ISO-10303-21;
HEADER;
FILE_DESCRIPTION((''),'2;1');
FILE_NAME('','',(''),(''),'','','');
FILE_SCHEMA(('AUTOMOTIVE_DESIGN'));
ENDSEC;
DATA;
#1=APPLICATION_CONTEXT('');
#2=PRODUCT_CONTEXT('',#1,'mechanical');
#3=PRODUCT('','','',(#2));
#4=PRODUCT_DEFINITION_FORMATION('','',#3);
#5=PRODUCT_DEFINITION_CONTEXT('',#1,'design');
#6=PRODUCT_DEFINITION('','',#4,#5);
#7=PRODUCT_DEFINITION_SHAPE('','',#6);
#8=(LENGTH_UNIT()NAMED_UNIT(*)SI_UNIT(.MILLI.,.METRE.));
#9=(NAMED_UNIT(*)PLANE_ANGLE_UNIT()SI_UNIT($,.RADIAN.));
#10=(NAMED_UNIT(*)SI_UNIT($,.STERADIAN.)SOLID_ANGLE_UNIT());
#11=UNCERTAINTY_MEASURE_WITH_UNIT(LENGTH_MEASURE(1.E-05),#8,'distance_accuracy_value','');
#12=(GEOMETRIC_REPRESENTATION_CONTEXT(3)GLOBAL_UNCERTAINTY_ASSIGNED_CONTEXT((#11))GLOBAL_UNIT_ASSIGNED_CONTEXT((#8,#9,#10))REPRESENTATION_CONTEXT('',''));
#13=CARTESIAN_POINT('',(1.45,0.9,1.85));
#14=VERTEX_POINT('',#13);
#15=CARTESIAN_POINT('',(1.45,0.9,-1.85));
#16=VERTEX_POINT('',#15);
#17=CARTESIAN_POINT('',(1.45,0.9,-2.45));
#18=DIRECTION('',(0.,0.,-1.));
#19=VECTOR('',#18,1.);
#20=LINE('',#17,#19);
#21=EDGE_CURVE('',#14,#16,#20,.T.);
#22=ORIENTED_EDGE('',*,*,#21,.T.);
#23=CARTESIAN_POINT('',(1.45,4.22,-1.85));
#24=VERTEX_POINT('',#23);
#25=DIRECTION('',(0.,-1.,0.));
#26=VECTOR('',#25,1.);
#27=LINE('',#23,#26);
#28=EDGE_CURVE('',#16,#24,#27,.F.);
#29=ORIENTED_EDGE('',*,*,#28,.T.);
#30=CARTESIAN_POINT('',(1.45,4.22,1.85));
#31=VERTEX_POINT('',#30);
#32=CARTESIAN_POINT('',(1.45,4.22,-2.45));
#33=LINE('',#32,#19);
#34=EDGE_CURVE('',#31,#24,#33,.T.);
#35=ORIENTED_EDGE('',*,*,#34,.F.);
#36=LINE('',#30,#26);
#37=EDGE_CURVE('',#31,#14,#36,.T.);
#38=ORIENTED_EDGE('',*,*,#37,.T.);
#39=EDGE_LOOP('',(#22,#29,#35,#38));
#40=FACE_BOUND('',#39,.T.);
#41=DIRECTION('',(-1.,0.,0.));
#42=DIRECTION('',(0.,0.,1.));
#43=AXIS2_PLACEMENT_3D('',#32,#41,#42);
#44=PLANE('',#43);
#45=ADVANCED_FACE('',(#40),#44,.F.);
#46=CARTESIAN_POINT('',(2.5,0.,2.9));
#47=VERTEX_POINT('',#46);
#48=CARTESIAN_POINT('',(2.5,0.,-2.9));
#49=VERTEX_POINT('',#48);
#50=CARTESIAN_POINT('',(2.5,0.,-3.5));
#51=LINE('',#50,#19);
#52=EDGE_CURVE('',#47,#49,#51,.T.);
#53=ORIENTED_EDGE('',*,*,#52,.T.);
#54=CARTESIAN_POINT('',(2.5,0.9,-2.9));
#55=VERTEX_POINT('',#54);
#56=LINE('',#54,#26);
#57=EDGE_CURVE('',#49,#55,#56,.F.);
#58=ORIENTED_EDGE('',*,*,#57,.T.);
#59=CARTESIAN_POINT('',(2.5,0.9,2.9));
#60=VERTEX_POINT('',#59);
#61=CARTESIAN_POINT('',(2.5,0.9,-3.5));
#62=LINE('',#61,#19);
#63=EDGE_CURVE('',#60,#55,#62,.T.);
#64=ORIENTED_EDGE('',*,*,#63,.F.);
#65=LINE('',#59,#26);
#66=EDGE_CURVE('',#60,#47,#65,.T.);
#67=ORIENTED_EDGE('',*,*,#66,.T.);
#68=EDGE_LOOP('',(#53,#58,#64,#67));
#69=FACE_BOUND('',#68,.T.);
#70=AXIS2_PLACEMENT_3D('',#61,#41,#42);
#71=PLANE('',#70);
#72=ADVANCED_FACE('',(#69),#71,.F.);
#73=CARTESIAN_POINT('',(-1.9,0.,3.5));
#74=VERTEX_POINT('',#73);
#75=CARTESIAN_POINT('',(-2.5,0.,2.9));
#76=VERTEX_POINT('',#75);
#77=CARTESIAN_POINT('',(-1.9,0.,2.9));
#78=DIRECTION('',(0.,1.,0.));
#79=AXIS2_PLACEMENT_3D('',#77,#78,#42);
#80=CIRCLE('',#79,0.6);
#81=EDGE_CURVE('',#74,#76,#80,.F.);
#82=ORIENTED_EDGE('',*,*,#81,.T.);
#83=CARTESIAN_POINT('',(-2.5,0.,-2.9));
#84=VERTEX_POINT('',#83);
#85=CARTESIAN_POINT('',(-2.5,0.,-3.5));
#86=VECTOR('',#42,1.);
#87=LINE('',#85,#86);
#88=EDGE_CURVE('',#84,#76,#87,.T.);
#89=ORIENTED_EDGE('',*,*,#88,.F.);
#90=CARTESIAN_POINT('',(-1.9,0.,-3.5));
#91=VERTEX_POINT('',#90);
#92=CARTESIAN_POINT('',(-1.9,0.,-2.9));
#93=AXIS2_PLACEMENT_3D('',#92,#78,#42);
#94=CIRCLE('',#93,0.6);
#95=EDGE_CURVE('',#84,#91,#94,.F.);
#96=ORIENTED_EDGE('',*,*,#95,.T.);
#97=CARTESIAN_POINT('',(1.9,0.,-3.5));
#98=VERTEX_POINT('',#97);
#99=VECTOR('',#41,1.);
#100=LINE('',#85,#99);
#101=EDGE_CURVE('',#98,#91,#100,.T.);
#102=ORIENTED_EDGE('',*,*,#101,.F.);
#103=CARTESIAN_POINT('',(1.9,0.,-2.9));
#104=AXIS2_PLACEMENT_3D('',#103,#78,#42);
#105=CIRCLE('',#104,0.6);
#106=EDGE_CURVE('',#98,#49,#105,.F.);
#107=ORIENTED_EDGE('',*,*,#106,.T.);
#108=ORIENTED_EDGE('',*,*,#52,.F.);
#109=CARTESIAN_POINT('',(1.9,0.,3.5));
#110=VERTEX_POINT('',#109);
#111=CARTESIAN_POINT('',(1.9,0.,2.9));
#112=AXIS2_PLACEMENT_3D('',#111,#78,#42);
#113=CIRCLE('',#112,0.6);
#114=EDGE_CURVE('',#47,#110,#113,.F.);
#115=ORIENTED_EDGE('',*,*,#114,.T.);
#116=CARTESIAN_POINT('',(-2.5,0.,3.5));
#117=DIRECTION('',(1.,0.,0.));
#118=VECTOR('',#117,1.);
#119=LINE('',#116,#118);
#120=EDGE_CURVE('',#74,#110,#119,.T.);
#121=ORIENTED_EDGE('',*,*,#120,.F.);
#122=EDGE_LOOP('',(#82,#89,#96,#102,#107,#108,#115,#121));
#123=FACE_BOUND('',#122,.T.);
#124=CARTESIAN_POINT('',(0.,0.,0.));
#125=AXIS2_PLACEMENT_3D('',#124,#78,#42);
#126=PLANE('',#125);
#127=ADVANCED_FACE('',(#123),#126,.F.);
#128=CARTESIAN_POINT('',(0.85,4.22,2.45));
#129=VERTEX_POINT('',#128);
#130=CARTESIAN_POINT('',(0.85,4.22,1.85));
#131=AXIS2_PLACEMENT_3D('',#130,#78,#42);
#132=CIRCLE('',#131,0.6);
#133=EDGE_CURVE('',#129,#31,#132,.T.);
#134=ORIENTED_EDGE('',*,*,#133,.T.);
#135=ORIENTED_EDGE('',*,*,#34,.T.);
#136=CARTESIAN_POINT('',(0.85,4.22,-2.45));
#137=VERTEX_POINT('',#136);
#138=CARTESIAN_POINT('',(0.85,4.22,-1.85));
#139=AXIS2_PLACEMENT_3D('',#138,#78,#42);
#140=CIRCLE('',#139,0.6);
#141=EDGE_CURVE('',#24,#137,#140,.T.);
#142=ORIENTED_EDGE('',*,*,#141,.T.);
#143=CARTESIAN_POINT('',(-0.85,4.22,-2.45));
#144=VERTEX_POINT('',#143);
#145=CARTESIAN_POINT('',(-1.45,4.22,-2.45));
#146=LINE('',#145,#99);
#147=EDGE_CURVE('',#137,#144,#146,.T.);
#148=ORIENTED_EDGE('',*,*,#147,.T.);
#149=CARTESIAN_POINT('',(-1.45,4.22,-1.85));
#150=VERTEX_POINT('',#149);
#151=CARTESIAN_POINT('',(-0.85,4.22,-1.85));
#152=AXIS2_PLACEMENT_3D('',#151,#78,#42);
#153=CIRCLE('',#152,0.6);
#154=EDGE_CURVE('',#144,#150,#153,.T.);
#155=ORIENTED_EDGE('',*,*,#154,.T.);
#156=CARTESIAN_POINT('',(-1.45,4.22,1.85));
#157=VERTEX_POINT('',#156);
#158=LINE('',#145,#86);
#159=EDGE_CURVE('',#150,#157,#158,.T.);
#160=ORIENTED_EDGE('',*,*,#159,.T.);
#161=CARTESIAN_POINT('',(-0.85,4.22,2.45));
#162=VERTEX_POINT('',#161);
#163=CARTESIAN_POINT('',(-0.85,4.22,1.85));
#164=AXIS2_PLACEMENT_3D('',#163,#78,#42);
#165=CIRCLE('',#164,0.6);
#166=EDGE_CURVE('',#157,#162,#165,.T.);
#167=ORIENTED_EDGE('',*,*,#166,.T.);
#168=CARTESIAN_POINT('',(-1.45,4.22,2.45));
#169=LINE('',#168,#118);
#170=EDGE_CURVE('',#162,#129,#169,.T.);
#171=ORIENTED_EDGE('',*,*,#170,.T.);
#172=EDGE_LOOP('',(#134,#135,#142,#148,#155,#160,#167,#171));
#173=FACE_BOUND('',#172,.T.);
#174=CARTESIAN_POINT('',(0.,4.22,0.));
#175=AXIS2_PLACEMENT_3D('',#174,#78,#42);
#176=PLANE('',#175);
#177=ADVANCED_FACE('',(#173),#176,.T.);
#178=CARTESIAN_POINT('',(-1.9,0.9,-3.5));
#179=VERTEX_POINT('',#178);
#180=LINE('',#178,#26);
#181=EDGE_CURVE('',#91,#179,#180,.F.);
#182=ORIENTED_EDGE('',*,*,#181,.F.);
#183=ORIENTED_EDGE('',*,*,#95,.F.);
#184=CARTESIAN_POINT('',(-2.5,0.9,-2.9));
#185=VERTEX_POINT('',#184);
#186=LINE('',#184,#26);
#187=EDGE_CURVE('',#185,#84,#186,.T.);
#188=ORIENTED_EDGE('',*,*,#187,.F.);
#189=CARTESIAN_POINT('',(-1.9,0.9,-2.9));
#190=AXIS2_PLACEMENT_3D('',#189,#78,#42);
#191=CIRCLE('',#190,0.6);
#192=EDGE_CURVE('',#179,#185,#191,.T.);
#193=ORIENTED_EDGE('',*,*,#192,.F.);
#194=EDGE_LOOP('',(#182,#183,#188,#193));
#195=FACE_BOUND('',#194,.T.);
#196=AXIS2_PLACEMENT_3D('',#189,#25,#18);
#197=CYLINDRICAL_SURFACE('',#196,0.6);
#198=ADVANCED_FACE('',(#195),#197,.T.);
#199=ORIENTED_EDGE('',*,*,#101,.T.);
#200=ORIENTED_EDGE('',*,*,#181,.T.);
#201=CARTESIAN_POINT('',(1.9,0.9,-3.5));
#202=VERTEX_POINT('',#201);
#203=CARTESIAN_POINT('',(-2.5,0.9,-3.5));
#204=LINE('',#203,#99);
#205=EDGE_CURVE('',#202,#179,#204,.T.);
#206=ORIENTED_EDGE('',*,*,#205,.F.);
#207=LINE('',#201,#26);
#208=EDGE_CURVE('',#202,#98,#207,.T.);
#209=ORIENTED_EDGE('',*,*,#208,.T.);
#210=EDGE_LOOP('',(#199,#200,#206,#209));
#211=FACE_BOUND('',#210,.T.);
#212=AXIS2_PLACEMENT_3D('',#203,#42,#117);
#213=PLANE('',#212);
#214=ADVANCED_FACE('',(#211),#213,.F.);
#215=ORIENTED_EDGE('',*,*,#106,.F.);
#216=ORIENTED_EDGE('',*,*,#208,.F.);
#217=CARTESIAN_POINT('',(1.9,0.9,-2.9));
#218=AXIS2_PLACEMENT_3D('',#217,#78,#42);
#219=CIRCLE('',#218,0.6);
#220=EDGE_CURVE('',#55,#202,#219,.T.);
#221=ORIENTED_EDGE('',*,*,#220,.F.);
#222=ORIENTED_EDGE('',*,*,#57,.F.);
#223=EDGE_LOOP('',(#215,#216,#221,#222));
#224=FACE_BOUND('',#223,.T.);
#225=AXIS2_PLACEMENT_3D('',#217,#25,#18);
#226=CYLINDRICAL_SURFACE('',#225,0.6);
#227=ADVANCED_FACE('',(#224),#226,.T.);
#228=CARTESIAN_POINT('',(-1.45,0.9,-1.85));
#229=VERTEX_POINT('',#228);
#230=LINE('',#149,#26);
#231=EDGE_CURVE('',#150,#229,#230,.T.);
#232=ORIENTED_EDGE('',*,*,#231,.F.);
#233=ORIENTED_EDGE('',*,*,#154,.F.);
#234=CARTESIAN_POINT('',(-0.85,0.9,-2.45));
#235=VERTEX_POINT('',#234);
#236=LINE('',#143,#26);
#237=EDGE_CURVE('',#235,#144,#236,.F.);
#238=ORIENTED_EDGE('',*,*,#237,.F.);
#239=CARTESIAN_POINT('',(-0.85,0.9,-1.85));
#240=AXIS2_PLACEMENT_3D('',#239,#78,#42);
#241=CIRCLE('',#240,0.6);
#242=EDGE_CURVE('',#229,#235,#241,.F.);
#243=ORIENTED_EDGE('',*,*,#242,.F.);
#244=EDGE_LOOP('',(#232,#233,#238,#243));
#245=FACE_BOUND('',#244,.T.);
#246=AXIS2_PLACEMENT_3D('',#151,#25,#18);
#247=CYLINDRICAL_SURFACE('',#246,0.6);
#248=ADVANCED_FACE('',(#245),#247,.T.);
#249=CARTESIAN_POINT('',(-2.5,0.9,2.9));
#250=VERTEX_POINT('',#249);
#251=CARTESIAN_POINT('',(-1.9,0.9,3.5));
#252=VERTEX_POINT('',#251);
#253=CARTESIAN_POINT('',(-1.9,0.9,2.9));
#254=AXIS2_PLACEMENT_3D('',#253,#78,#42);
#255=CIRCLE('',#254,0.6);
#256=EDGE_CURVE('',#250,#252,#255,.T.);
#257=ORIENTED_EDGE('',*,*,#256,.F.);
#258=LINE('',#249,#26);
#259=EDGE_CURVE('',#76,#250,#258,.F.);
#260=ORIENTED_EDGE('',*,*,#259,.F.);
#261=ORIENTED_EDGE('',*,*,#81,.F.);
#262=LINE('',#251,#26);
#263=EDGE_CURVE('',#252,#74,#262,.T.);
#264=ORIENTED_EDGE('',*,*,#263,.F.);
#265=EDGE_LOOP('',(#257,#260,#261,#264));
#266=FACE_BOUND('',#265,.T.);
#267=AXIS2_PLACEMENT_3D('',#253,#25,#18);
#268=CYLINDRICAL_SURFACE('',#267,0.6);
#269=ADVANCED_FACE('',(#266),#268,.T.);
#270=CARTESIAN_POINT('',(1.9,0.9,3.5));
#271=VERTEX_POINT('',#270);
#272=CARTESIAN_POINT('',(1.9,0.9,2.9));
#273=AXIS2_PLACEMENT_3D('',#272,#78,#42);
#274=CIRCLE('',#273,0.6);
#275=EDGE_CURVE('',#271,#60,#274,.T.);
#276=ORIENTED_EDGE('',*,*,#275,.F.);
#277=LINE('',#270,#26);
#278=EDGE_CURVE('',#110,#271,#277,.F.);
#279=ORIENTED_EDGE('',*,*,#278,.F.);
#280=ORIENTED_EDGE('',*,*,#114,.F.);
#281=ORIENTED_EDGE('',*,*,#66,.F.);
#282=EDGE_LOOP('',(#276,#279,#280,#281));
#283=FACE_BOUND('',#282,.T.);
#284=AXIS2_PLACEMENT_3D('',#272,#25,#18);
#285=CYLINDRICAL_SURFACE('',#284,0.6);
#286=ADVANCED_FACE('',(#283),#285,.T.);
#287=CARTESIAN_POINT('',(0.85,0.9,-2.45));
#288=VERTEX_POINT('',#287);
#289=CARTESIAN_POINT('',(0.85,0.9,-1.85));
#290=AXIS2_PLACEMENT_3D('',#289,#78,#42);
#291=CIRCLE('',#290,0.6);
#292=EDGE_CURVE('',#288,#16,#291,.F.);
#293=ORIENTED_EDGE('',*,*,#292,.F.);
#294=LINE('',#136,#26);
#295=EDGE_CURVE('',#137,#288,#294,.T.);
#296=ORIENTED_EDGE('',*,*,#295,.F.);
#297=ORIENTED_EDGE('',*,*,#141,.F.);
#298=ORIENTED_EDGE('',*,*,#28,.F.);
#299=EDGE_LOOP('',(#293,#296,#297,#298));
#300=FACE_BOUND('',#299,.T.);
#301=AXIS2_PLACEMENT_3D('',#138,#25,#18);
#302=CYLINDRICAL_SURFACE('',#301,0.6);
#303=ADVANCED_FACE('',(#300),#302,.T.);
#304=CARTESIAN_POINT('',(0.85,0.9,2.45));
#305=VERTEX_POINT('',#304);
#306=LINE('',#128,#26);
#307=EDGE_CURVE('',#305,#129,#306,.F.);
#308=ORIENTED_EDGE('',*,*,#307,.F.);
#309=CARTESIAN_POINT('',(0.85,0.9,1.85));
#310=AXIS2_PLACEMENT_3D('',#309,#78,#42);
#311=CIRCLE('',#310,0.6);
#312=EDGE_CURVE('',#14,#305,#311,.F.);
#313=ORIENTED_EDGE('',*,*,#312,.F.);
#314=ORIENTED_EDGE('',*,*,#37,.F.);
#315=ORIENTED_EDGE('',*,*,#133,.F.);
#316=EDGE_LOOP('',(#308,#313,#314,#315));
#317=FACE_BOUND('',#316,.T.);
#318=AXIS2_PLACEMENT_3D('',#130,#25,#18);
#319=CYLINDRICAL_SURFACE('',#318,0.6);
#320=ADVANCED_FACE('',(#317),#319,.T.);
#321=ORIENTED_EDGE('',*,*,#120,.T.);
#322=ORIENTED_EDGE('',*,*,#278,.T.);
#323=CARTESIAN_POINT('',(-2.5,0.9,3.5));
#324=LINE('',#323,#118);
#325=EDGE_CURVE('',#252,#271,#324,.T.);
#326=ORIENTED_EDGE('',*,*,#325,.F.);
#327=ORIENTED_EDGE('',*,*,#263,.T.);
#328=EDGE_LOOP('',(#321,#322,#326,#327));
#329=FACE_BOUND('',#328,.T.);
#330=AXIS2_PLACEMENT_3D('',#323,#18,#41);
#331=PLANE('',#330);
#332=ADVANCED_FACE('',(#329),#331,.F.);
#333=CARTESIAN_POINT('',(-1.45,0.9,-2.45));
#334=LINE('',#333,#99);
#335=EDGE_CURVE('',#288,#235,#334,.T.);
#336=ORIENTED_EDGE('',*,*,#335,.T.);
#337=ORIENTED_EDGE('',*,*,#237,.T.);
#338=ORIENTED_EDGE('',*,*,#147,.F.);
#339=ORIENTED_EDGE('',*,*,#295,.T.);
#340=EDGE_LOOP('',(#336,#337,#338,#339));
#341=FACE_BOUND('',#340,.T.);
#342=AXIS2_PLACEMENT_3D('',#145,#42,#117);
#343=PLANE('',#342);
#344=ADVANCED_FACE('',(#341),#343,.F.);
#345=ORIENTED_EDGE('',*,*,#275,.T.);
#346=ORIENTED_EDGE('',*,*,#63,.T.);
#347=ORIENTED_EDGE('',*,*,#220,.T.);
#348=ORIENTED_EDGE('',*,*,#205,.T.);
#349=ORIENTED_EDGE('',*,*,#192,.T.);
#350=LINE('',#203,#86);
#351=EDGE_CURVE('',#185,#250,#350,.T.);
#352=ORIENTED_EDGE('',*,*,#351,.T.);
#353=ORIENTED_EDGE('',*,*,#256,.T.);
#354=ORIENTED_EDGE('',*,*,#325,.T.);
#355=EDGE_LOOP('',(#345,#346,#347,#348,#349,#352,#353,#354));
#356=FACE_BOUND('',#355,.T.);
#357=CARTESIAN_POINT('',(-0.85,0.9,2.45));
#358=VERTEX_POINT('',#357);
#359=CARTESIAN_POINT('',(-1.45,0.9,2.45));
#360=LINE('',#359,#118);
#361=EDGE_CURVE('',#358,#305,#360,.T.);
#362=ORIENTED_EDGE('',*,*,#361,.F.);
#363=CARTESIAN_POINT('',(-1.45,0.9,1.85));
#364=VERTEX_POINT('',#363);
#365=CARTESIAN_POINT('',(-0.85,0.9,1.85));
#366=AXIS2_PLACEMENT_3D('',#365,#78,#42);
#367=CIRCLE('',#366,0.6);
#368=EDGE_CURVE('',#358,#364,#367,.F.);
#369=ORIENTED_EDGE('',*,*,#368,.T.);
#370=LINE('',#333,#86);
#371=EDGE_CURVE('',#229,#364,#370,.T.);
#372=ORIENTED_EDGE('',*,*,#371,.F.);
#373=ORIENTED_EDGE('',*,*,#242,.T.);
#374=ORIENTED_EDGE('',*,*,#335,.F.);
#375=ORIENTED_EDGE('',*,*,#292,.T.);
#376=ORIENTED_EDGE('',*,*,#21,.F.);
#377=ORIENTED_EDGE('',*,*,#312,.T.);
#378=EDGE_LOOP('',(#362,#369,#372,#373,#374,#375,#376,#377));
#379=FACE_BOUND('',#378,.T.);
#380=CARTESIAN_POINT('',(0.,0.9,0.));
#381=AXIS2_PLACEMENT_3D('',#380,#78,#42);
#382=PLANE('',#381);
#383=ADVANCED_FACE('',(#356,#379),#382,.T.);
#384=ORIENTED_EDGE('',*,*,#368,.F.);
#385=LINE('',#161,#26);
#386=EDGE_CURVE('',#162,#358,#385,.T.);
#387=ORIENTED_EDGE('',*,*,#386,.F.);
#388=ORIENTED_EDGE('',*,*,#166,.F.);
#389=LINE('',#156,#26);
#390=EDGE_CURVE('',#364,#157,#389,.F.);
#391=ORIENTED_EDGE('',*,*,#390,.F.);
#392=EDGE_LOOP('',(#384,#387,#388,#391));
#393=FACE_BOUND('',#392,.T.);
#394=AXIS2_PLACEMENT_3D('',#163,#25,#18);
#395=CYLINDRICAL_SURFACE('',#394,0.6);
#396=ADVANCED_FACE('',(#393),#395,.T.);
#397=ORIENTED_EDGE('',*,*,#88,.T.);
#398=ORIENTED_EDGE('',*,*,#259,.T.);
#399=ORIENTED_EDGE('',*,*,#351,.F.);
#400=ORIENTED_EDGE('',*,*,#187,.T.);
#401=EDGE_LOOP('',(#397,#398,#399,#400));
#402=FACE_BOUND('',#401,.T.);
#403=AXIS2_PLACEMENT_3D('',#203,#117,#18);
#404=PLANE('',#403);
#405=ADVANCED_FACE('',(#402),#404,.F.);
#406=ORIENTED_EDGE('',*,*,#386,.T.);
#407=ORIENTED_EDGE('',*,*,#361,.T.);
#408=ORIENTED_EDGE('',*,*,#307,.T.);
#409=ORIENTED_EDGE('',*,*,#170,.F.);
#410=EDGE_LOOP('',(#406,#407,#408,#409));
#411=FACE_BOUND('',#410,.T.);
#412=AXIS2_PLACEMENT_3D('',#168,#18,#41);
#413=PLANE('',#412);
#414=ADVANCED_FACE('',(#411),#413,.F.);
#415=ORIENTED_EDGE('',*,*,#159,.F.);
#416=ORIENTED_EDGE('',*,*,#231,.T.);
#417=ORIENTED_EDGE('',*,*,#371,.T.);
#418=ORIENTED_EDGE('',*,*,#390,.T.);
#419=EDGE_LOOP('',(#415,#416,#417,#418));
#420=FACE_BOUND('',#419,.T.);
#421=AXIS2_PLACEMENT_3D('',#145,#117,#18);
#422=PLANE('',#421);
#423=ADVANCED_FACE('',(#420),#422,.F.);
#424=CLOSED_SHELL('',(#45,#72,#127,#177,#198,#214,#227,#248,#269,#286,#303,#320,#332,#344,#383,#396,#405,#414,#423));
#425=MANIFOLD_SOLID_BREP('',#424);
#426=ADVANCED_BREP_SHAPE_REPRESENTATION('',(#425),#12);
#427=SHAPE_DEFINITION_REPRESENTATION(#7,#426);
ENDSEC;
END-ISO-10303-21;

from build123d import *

# Parameters (mm, degrees)
SKETCH_1_W      = 5
SKETCH_1_H      = 7
EXTRUDE_1_DEPTH = 0.9
SKETCH_2_W      = 2.9
SKETCH_2_H      = 4.9
EXTRUDE_2_DEPTH = 3.32
FILLET_1_R      = 0.6


with BuildPart() as part:
    # 草图1 → 凸台-拉伸1 (new body)
    with BuildSketch(Plane(origin=(0, 0, 0), x_dir=(1, 0, 0), z_dir=(0, 1, 0))):
        Rectangle(SKETCH_1_W, SKETCH_1_H)
    extrude(amount=EXTRUDE_1_DEPTH)

    # 草图2 → 凸台-拉伸2 (add)
    with BuildSketch(Plane(origin=(0, 0.9, 0), x_dir=(1, 0, 0), z_dir=(0, 1, 0))):
        Rectangle(SKETCH_2_W, SKETCH_2_H)
    extrude(amount=EXTRUDE_2_DEPTH)

    # 圆角1
    fillet_1_edges = [part.edges().sort_by_distance(p)[0] for p in [
        (1.45, 2.56, 2.45),
        (1.45, 2.56, -2.45),
        (-1.45, 2.56, -2.45),
        (-1.45, 2.56, 2.45),
        (2.5, 0.45, 3.5),
        (-2.5, 0.45, 3.5),
        (-2.5, 0.45, -3.5),
        (2.5, 0.45, -3.5),
    ]]
    fillet(fillet_1_edges, radius=FILLET_1_R)


solid = part.part
